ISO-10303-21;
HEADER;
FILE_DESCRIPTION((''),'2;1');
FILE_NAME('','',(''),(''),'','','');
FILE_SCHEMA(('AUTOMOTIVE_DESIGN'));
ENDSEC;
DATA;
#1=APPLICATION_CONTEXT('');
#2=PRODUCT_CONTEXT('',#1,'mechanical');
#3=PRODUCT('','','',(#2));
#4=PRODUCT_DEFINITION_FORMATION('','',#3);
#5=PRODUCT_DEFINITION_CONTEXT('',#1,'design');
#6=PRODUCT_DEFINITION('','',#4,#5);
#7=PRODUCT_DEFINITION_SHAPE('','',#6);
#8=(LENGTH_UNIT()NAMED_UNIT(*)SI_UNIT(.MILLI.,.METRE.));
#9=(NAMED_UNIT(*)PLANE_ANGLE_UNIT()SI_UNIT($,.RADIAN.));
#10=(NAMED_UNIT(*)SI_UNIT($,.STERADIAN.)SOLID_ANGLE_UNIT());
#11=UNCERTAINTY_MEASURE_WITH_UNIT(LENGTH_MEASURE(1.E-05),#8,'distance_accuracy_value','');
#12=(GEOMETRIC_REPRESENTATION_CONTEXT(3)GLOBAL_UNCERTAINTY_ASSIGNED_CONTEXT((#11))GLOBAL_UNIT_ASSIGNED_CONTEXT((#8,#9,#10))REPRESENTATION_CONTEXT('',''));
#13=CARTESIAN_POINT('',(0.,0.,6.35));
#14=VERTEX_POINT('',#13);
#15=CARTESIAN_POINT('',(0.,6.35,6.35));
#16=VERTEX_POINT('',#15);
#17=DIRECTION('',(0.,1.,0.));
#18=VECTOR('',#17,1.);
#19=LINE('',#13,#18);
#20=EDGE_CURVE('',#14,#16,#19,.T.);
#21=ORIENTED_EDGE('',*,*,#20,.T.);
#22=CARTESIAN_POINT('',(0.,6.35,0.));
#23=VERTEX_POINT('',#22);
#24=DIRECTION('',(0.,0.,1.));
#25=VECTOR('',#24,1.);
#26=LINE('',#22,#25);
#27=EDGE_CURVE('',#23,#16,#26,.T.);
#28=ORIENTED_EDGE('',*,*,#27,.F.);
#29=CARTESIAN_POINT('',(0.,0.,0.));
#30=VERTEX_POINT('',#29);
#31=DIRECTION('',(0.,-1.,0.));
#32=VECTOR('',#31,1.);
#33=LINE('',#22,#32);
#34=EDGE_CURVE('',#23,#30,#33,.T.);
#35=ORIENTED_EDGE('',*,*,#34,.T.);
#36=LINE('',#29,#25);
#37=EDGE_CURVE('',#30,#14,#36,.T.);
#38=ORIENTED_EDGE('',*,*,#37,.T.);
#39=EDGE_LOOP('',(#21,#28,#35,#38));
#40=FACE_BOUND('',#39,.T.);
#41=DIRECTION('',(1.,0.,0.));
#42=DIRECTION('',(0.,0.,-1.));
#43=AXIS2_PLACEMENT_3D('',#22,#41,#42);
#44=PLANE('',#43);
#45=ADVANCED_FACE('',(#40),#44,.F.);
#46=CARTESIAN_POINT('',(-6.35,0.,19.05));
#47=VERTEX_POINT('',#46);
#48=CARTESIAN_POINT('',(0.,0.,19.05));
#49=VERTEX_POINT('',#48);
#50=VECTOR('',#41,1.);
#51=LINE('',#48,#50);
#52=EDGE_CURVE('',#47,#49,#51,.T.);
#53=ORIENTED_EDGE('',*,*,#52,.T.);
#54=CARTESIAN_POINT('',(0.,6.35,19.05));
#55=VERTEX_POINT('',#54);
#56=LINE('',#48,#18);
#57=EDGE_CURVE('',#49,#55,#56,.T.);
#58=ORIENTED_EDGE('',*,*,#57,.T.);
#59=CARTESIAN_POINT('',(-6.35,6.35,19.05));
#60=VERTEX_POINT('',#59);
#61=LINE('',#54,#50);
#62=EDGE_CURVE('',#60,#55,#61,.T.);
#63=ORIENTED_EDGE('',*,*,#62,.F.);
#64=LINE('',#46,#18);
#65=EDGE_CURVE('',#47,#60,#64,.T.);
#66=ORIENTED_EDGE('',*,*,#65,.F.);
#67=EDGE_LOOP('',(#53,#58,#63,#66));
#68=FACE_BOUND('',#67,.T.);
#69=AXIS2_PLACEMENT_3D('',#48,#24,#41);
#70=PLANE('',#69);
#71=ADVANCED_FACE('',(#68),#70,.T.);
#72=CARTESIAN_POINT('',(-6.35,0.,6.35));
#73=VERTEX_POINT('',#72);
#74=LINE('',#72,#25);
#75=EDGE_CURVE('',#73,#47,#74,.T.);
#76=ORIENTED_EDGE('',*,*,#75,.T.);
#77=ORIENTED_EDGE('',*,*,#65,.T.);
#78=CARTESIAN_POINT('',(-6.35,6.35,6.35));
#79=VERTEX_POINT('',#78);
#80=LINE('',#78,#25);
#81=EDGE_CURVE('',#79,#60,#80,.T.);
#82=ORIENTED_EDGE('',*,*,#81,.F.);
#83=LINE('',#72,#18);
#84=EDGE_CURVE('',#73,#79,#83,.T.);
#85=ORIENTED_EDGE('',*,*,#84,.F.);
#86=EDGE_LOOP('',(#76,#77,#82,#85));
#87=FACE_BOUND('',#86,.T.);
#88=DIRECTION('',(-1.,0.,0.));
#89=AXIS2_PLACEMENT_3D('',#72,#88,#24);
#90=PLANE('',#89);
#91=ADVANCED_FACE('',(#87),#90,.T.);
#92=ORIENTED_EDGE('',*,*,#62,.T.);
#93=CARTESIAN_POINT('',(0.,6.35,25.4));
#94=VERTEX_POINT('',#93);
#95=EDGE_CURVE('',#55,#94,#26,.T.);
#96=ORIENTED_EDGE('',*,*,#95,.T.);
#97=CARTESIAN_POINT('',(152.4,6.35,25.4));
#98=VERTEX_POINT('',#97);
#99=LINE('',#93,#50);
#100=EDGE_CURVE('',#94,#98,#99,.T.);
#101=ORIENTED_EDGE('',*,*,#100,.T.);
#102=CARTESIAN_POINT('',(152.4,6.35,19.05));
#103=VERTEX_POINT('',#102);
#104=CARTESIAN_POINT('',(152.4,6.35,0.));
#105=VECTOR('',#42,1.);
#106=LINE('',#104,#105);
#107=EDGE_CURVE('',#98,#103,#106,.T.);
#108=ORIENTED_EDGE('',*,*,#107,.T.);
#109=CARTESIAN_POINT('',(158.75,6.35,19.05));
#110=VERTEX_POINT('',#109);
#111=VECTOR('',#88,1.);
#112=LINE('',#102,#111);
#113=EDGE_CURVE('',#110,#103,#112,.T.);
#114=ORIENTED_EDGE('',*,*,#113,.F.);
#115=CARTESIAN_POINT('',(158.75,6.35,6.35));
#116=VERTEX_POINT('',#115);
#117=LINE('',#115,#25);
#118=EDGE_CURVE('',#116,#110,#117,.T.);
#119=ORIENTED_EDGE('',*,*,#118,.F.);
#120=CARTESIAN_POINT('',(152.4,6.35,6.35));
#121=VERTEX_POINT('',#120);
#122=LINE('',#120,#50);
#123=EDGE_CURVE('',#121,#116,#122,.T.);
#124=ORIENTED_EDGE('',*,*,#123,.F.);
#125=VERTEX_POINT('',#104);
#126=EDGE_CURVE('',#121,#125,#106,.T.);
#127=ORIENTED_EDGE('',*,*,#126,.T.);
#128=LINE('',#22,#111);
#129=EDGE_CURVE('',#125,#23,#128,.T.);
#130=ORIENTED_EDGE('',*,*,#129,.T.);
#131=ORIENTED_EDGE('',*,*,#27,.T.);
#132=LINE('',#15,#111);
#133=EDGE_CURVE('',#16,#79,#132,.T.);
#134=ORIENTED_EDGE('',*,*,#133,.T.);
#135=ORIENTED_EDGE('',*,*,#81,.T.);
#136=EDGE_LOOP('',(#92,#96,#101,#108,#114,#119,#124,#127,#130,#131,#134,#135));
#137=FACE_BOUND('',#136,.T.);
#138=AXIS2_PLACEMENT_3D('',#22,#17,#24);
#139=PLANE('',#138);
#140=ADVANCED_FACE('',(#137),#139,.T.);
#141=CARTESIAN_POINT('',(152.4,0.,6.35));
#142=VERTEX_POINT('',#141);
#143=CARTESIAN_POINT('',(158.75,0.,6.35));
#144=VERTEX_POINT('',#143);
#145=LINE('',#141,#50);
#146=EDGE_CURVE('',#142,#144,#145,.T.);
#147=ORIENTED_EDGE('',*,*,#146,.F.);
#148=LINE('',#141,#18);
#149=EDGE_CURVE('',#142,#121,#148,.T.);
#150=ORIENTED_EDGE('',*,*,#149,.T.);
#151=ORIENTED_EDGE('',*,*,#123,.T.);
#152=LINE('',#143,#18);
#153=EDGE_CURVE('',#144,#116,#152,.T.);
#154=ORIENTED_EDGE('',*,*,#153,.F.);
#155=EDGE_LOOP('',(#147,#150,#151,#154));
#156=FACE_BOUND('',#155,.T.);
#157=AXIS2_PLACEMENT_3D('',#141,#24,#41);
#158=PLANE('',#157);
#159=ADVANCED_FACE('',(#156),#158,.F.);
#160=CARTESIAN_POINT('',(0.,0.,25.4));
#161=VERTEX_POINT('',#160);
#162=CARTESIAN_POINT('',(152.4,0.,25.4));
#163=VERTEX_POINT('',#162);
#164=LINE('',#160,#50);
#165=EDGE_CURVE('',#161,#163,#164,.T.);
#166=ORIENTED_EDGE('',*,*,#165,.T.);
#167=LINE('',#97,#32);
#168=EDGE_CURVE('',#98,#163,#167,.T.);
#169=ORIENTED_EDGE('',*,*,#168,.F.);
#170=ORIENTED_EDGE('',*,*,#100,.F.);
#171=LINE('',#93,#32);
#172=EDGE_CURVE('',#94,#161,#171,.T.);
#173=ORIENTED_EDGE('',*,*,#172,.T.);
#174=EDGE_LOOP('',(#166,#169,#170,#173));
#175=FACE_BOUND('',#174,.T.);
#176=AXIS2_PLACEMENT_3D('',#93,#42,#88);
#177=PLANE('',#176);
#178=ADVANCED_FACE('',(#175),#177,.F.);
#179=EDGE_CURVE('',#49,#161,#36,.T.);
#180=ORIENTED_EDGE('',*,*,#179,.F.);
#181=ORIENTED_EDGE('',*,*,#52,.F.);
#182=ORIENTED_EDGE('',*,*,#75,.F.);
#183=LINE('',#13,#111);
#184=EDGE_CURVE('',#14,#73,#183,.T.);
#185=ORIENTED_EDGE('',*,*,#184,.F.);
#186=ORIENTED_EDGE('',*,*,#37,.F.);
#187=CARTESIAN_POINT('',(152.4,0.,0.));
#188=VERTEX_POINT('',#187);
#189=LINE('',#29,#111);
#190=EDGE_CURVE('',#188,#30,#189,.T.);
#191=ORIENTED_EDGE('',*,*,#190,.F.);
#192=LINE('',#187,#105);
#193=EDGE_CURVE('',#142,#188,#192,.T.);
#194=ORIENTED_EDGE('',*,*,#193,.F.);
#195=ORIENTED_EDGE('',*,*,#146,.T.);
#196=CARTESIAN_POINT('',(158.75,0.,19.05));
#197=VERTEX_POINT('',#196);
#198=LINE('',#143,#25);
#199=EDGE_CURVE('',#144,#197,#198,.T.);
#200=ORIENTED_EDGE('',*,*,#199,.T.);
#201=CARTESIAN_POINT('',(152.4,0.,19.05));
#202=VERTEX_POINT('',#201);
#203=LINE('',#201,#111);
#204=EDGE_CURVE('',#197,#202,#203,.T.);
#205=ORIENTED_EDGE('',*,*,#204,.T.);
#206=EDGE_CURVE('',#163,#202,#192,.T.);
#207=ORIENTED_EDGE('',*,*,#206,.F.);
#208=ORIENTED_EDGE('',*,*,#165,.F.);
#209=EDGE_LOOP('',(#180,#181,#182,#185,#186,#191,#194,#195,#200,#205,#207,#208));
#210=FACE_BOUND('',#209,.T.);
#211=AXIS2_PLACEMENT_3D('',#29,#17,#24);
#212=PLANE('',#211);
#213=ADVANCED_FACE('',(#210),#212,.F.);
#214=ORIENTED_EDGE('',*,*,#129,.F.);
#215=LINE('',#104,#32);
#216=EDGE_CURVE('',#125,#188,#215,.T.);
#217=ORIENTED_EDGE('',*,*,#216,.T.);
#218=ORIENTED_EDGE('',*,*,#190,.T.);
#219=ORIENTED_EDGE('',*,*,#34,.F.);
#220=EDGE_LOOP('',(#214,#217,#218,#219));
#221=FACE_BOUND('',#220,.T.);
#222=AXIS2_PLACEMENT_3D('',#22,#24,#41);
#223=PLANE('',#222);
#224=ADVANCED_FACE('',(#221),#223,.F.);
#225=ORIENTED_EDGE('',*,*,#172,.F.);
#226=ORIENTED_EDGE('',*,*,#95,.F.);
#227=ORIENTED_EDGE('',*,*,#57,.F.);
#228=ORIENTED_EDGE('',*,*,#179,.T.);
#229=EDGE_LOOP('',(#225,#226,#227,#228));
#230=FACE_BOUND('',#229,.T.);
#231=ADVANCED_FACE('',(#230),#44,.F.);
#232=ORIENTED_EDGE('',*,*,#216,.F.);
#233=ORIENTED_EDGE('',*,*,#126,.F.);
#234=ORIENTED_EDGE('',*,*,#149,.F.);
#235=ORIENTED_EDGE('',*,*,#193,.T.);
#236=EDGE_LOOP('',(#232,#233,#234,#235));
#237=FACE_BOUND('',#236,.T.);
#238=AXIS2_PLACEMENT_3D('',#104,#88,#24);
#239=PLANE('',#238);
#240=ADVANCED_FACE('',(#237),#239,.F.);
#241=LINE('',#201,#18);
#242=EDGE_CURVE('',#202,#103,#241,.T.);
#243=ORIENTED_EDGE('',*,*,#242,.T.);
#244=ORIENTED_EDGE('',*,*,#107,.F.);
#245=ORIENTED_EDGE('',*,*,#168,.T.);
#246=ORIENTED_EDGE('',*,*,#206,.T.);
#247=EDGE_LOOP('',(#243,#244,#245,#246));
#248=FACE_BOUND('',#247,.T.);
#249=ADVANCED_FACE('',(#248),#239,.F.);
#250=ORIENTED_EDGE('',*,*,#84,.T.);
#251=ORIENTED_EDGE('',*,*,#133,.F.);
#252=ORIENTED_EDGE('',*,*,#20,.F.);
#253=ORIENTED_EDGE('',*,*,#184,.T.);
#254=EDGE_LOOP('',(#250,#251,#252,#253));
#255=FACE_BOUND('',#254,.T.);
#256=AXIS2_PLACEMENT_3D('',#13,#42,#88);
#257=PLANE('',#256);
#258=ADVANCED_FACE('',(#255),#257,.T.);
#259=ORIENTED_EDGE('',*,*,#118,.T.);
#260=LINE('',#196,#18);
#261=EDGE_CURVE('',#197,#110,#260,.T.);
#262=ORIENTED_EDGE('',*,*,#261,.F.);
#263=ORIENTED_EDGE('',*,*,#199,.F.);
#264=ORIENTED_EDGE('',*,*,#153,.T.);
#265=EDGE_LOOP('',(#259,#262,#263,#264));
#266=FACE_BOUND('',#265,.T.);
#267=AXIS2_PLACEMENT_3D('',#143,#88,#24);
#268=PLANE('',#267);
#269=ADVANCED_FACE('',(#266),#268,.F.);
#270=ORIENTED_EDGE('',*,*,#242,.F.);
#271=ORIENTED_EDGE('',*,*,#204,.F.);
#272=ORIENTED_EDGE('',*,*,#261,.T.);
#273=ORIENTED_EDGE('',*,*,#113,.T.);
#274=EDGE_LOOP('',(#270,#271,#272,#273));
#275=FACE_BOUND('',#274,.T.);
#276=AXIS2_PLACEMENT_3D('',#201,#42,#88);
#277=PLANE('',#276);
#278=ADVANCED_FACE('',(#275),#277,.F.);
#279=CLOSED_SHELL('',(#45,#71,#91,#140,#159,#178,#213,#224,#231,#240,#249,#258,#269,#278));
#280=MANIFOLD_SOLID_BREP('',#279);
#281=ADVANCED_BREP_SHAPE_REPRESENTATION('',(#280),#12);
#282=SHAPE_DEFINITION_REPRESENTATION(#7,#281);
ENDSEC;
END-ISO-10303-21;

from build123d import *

# Parameters (mm, degrees)
SKETCH1_W           = 152.4
SKETCH1_H           = 25.4
BOSS_EXTRUDE1_DEPTH = 6.35
SKETCH3_W           = 6.35
SKETCH3_H           = 12.7
BOSS_EXTRUDE2_DEPTH = 6.35


with BuildPart() as part:
    # Sketch1 → Boss-Extrude1 (new body)
    with BuildSketch(Plane(origin=(0, 0, 0), x_dir=(1, 0, 0), z_dir=(0, 1, 0))):
        with Locations((76.2, -12.7)):
            Rectangle(SKETCH1_W, SKETCH1_H)
    extrude(amount=BOSS_EXTRUDE1_DEPTH)

    # Sketch3 → Boss-Extrude2 (add)
    with BuildSketch(Plane(origin=(0, 6.35, 0), x_dir=(1, 0, 0), z_dir=(0, 1, 0))):
        with Locations((-3.175, -12.7)):
            Rectangle(SKETCH3_W, SKETCH3_H)
    boss_extrude2 = extrude(amount=-BOSS_EXTRUDE2_DEPTH)

    # Mirror1: Boss-Extrude2 across plane
    add(boss_extrude2.mirror(Plane.ZY.offset(-76.2)))


solid = part.part
